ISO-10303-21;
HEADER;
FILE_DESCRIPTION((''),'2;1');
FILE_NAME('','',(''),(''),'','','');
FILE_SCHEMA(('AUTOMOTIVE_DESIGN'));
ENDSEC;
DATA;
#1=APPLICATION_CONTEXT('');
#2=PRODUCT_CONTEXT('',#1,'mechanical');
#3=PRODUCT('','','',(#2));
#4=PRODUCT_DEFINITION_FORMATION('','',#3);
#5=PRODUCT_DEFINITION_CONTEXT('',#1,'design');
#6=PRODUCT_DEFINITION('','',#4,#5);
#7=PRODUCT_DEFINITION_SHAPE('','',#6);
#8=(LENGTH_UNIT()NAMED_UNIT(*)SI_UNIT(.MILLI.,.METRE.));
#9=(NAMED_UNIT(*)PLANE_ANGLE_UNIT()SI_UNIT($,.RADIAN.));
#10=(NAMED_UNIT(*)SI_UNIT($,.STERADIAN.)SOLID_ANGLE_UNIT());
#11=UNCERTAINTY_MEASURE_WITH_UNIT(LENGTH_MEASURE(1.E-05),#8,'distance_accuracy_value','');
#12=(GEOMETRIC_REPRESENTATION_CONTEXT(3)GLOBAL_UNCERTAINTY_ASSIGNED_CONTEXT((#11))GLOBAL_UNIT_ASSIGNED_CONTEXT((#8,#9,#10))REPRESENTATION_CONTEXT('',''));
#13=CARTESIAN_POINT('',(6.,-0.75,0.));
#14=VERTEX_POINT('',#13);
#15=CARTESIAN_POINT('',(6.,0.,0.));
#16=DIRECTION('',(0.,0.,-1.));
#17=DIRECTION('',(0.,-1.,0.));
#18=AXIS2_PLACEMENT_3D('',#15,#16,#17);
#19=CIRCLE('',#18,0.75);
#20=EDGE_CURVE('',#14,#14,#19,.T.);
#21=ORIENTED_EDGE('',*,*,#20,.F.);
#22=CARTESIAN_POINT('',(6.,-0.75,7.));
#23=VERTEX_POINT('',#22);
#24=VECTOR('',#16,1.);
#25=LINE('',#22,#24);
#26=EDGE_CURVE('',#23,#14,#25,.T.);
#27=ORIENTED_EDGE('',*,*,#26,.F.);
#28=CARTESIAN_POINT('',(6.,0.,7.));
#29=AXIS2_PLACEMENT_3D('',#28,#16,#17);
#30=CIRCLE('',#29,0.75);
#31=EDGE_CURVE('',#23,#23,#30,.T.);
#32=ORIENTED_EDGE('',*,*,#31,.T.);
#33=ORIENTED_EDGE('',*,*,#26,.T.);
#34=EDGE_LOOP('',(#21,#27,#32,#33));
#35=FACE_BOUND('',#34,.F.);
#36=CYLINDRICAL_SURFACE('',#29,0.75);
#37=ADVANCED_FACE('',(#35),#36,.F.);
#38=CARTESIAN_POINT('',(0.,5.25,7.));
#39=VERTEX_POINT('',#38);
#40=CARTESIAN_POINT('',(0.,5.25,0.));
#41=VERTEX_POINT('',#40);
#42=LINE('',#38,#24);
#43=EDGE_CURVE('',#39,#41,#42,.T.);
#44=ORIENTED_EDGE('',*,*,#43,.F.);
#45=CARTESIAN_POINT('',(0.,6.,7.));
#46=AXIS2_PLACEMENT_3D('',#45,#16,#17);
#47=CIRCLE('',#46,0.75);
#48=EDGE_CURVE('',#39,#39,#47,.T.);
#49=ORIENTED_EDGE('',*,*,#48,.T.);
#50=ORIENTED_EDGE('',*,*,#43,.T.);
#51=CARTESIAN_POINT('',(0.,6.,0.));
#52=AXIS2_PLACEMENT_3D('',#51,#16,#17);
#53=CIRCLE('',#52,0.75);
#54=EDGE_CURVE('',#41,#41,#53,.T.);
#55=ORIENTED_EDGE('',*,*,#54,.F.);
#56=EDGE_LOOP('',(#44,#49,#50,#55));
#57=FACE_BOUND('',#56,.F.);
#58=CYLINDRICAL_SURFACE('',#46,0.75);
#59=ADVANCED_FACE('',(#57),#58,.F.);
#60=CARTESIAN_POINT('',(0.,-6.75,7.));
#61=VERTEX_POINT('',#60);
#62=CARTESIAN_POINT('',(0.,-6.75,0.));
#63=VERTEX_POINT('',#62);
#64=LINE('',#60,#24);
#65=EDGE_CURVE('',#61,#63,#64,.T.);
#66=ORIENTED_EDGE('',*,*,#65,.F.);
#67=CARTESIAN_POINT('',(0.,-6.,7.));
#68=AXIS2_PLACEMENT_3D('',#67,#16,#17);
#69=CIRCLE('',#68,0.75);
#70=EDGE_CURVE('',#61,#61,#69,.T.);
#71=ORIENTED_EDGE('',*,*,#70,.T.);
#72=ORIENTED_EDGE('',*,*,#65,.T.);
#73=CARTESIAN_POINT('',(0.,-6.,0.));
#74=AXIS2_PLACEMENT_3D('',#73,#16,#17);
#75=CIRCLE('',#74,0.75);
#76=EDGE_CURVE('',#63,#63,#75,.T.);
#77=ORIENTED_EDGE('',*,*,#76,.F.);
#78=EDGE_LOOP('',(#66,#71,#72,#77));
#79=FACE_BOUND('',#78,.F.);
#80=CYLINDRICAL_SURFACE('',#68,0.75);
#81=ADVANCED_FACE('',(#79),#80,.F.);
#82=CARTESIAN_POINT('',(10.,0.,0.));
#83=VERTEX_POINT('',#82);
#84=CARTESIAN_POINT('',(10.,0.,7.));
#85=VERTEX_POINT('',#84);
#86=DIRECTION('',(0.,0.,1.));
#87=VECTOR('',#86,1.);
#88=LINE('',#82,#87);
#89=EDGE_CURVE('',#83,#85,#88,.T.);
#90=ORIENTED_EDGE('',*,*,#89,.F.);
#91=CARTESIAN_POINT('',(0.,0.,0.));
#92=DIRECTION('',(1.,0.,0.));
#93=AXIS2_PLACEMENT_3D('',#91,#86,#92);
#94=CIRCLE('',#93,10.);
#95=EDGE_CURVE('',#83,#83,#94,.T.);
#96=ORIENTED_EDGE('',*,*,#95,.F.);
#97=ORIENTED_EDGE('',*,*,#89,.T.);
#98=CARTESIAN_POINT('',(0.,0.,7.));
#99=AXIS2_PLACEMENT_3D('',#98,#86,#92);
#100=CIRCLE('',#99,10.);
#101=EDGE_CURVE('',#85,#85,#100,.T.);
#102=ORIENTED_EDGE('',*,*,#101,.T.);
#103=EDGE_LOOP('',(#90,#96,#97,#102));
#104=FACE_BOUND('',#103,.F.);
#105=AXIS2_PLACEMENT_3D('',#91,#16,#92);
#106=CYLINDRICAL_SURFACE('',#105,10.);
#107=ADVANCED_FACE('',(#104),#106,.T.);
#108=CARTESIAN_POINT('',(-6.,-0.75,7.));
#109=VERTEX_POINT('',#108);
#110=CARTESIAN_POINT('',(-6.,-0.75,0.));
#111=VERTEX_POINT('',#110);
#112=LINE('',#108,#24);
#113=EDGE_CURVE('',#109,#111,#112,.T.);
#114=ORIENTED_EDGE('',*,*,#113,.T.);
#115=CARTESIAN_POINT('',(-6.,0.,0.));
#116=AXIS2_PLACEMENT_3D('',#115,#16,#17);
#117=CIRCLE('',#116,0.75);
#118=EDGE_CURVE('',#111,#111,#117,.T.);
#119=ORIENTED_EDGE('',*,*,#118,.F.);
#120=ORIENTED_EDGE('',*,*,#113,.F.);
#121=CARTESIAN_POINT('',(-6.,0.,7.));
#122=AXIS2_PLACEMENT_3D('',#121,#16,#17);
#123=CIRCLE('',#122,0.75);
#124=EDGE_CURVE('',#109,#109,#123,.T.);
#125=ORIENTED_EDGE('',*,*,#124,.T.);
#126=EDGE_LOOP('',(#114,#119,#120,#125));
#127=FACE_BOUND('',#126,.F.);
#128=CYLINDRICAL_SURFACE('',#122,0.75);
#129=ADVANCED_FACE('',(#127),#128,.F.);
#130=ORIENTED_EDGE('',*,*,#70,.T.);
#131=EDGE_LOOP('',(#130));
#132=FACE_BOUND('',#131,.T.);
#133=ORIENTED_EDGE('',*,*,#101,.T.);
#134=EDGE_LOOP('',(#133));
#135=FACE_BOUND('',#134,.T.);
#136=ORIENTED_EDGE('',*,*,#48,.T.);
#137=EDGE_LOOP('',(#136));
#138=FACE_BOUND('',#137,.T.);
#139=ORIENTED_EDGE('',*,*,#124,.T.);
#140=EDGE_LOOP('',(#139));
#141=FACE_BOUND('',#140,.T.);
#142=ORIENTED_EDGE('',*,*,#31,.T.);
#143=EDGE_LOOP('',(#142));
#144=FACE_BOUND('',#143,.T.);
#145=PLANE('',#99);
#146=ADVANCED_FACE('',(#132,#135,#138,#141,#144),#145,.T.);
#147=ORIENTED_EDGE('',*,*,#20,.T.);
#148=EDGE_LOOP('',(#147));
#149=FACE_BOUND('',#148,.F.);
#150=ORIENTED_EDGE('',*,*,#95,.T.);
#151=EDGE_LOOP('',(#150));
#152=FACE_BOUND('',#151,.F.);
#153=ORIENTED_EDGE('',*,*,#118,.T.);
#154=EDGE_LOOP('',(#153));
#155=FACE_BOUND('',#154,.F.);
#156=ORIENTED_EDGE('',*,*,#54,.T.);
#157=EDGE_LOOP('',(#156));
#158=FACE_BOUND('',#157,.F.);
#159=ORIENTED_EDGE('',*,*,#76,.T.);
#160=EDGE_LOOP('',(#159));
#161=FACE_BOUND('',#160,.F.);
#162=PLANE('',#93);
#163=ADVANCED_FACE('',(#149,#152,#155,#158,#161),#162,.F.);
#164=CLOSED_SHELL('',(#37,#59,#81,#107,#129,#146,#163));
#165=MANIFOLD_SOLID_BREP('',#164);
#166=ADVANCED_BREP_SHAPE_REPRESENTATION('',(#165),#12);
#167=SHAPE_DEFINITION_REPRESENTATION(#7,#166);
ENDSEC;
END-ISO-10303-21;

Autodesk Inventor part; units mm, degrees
ref_plane "YZ Plane" through (0, 0, 0) normal (1, 0, 0) x (0, 1, 0)
ref_plane "XZ Plane" through (0, 0, 0) normal (0, 1, 0) x (-1, 0, 0)
ref_plane "XY Plane" through (0, 0, 0) normal (0, 0, 1) x (1, 0, 0)
sketch "スケッチ1" plane through (0, 0, 0) normal (0, 0, 1) x (1, 0, 0)
  circle A0 centre (0, 0) radius 10
  dimension "d0" = 20
extrude "押し出し1" add sketch "スケッチ1" along normal blind 7
sketch "スケッチ2" plane through (0, 0, 7) normal (0, 0, 1) x (1, 0, 0)
  circle A0 centre (0, 0) radius 6
  point P0 (0, 6)
  point P1 (-6, 0)
  point P2 (0, -6)
  point P3 (6, 0)
  dimension "d3" = 12
  dimension "d6" = 360
hole "穴1" at (0, 6, 7) at (-6, 0, 7) at (0, -6, 7) at (6, 0, 7) direction (0, 0, -1) diameter 1.5 end through all
properties part number "practice_parts03"
